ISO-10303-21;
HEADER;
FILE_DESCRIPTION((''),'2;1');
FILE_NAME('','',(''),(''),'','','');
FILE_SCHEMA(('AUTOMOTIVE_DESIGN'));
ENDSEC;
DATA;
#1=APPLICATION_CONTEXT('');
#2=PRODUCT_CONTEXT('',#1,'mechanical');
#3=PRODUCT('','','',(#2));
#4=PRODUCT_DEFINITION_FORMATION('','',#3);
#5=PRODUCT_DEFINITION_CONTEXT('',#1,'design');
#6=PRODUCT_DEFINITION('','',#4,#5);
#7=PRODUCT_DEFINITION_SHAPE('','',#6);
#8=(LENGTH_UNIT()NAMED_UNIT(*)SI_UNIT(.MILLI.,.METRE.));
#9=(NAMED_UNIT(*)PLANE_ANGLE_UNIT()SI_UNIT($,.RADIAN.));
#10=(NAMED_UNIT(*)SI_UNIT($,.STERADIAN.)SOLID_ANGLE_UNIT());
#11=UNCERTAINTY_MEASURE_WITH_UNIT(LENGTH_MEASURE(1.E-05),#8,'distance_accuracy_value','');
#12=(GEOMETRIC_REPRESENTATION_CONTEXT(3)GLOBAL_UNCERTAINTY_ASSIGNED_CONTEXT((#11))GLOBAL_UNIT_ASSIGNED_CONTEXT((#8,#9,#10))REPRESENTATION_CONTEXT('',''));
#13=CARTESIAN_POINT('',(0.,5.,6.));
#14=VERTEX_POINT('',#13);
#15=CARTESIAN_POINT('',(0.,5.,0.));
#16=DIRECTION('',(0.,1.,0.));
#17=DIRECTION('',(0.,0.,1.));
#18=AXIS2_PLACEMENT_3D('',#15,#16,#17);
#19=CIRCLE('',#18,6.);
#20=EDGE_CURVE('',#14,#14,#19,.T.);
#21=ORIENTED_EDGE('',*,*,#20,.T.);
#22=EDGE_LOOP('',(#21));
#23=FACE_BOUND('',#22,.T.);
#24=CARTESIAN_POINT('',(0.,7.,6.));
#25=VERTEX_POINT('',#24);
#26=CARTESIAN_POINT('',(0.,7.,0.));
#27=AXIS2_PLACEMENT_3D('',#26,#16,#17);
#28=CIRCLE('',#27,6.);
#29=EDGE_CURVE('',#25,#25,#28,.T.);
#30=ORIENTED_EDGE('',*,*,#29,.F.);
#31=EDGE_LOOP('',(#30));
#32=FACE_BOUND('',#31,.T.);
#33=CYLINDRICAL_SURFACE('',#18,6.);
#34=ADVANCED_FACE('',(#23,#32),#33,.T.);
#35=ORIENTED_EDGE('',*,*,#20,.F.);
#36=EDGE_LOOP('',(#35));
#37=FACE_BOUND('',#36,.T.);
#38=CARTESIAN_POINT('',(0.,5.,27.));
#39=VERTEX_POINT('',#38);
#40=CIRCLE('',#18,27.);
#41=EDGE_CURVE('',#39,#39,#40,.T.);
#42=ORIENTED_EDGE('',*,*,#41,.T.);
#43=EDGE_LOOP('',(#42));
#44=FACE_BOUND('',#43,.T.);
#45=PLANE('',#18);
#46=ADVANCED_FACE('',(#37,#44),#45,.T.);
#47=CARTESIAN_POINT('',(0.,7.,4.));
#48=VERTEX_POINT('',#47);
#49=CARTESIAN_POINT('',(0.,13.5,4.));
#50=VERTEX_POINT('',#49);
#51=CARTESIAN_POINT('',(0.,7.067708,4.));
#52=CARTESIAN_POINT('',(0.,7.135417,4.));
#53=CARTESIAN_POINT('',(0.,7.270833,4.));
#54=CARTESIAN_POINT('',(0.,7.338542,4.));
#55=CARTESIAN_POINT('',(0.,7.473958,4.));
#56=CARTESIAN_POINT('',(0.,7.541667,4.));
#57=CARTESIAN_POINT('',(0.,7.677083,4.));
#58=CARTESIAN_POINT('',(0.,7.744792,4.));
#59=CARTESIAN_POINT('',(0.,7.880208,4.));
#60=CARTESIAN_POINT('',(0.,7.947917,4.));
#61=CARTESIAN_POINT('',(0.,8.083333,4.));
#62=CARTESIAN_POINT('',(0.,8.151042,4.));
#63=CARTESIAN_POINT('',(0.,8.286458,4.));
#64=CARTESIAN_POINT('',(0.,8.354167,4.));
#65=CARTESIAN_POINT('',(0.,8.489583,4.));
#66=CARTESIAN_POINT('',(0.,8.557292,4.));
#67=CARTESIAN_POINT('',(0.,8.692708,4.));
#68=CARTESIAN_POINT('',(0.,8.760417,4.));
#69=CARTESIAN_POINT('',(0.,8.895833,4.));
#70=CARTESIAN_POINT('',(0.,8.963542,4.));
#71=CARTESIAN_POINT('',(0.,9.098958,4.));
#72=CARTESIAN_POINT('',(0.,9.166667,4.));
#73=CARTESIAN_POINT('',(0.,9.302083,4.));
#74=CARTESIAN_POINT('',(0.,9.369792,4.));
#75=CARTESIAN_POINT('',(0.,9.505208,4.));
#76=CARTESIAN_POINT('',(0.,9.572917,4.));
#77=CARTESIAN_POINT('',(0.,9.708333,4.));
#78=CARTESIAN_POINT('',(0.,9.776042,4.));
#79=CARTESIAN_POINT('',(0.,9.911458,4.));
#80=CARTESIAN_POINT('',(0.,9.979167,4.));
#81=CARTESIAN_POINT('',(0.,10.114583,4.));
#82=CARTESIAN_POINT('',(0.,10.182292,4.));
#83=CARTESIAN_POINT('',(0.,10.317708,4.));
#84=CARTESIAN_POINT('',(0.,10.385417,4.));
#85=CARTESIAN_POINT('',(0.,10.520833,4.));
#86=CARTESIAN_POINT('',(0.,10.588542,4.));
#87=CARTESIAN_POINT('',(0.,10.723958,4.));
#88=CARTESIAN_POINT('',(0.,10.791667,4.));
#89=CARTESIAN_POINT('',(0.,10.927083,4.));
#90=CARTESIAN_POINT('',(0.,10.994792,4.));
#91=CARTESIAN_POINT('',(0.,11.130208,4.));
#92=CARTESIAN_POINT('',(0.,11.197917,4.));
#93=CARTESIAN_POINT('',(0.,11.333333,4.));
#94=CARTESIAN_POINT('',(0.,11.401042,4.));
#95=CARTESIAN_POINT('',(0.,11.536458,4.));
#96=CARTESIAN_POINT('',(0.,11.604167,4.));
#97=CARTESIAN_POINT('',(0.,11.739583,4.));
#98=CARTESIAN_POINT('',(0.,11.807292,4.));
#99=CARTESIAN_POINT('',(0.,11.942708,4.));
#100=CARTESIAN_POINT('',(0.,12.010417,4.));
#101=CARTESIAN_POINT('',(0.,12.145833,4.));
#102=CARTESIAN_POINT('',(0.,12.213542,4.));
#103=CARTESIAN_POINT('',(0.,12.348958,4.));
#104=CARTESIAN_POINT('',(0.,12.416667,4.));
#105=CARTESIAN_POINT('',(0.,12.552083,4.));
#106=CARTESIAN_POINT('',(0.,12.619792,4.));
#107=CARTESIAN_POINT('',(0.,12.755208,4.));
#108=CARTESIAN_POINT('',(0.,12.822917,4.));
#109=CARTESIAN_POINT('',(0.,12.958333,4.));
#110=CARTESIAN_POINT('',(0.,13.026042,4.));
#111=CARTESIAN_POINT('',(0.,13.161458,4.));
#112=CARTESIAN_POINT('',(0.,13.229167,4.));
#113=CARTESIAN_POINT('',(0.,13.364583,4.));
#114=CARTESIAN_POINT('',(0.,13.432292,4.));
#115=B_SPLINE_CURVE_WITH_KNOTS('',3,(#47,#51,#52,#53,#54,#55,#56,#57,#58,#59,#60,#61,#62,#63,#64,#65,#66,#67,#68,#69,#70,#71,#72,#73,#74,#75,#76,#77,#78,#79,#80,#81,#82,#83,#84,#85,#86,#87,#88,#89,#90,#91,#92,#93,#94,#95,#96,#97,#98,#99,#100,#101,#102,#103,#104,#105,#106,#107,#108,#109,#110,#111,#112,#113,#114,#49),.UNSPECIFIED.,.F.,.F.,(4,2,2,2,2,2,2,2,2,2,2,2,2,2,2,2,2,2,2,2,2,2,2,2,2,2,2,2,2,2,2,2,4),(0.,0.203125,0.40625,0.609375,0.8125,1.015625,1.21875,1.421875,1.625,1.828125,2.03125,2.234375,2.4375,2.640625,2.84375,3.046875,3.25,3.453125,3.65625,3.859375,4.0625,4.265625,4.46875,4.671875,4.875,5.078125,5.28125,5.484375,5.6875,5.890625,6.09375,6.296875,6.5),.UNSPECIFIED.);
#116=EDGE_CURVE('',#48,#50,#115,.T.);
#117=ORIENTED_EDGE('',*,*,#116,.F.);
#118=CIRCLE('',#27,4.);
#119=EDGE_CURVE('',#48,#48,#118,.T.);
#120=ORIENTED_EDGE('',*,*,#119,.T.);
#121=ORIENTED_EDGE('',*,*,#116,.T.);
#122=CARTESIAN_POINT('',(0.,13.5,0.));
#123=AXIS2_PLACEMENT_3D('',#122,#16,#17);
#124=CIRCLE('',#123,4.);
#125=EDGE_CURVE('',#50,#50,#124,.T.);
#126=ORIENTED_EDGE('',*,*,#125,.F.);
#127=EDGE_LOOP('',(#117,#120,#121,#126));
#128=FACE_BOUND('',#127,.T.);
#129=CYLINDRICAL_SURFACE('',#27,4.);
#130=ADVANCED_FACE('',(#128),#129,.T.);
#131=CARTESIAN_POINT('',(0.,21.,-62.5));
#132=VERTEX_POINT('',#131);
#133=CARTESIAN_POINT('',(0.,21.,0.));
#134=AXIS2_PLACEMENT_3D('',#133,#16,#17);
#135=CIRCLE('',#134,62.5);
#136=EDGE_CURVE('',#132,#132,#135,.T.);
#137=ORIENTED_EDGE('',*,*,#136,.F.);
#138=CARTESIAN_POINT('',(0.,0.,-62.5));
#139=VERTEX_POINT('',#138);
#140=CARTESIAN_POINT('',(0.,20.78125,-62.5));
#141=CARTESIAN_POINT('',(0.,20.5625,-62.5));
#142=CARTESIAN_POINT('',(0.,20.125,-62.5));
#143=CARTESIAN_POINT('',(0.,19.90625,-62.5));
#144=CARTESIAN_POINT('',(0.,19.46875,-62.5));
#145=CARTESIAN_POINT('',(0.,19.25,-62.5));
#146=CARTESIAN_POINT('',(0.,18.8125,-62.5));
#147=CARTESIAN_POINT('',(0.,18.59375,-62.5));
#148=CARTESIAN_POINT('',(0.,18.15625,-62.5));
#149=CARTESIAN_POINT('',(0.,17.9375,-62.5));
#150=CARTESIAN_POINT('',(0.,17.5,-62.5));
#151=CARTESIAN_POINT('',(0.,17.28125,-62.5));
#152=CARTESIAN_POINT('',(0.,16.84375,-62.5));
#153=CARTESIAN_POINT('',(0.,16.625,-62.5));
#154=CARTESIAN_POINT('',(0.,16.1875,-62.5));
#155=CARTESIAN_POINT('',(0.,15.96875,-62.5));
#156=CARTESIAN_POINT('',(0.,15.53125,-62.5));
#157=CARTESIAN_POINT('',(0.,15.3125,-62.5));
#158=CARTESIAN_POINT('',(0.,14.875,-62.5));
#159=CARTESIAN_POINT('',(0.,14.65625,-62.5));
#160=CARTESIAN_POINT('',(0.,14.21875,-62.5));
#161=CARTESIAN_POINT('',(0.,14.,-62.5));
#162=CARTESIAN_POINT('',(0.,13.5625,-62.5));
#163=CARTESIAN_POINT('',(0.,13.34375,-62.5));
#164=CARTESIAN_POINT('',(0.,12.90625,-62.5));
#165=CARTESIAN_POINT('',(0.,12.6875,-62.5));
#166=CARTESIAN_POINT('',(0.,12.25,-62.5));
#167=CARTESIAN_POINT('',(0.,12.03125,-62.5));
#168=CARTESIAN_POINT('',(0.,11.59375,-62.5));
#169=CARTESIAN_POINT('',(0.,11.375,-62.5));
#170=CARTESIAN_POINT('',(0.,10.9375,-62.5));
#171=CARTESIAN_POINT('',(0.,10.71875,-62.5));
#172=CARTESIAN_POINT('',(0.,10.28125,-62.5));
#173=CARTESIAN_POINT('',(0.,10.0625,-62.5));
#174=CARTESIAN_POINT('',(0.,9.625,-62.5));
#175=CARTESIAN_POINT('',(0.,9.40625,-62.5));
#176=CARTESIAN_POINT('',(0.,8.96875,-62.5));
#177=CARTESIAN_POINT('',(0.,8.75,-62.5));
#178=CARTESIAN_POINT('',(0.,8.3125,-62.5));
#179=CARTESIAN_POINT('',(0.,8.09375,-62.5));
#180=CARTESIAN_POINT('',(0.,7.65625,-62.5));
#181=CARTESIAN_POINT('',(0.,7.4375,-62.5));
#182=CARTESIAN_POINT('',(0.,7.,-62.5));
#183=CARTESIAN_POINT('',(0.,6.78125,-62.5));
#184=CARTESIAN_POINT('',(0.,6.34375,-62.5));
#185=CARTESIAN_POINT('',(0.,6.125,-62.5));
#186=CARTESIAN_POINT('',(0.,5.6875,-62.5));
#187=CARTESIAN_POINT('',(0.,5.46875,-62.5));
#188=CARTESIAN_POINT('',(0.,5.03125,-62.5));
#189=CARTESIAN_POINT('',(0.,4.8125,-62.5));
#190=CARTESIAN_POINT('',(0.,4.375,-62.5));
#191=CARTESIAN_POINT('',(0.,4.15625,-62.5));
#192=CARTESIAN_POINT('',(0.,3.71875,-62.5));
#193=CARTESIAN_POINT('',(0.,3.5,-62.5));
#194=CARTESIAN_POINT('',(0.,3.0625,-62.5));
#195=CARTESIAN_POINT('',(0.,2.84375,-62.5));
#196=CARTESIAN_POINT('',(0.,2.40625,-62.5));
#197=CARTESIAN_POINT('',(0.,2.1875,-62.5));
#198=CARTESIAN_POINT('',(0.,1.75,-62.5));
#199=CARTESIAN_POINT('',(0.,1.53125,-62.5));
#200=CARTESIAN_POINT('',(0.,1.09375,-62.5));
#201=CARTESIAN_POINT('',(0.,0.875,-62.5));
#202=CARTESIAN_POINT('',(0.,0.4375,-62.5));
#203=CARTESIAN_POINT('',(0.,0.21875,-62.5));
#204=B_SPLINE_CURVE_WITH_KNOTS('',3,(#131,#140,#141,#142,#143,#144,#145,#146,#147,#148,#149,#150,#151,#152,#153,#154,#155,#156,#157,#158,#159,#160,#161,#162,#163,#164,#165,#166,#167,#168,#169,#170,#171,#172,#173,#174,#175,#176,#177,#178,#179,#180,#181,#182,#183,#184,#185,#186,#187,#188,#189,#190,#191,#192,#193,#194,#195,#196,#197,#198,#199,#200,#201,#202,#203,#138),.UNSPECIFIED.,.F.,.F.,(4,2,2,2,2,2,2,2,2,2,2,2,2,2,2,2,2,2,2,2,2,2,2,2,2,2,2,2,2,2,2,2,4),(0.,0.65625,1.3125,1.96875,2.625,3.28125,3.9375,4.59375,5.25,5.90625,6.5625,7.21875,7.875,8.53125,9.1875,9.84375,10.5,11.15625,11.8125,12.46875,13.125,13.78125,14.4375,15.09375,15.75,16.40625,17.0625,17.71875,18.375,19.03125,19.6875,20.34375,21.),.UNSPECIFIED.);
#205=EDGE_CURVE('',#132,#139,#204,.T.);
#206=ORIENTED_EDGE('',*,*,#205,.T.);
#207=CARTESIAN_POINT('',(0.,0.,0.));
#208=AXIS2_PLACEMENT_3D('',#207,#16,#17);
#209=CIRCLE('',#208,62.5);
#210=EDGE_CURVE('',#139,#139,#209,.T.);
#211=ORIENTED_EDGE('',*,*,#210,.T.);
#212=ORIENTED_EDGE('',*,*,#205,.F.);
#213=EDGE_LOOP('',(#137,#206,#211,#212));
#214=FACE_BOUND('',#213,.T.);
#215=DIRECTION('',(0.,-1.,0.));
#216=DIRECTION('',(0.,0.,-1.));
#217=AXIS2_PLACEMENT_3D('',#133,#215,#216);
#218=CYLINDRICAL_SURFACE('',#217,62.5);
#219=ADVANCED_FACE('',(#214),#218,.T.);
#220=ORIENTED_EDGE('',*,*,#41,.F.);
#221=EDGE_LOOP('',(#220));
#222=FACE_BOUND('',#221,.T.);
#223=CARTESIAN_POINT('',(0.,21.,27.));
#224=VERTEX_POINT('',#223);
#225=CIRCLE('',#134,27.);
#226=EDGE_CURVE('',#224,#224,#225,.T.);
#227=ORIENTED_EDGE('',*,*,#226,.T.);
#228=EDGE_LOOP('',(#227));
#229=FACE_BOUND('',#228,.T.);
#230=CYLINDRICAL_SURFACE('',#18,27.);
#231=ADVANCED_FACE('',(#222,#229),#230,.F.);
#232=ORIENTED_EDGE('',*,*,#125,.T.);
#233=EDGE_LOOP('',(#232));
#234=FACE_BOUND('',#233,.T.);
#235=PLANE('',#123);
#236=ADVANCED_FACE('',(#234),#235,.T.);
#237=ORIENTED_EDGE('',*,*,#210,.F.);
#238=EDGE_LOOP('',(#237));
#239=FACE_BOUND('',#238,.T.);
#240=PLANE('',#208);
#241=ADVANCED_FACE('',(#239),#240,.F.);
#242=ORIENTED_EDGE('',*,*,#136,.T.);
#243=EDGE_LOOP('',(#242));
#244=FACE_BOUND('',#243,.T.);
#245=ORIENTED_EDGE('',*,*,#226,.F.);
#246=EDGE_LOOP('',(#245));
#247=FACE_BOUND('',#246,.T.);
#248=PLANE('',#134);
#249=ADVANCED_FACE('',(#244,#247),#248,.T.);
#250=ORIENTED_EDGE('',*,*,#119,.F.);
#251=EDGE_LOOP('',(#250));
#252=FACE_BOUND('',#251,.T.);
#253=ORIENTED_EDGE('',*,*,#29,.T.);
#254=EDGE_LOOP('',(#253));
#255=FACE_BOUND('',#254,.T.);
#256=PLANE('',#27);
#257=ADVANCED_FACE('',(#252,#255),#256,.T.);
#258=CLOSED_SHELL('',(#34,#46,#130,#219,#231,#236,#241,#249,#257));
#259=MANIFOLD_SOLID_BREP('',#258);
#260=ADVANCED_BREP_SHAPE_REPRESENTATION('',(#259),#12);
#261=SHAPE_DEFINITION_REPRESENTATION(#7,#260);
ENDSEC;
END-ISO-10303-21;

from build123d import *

# Parameters (mm, degrees)
SKETCH1_R           = 62.5
BOSS_EXTRUDE1_DEPTH = 21
SKETCH2_R           = 27
SKETCH2_R_2         = 6
CUT_EXTRUDE1_DEPTH  = 16
SKETCH3_R           = 6
SKETCH3_R_2         = 4
CUT_EXTRUDE2_DEPTH  = 14
SKETCH4_R           = 4
CUT_EXTRUDE3_DEPTH  = 7.5


with BuildPart() as part:
    # Sketch1 → Boss-Extrude1 (new body)
    with BuildSketch(Plane(origin=(0, 0, 0), x_dir=(1, 0, 0), z_dir=(0, 1, 0))):
        with Locations(Location((0, 0, 0), (0, 0, 90))):
            Circle(SKETCH1_R)
    extrude(amount=BOSS_EXTRUDE1_DEPTH)

    # Sketch2 → Cut-Extrude1 (cut)
    with BuildSketch(Plane(origin=(0, 21, 0), x_dir=(1, 0, 0), z_dir=(0, 1, 0))):
        with Locations(Location((0, 0, 0), (0, 0, 270))):
            Circle(SKETCH2_R)
        with Locations(Location((0, 0, 0), (0, 0, 270))):
            Circle(SKETCH2_R_2, mode=Mode.SUBTRACT)
    extrude(amount=-CUT_EXTRUDE1_DEPTH, mode=Mode.SUBTRACT)

    # Sketch3 → Cut-Extrude2 (cut)
    with BuildSketch(Plane(origin=(0, 21, 0), x_dir=(1, 0, 0), z_dir=(0, 1, 0))):
        with Locations(Location((0, 0, 0), (0, 0, 270))):
            Circle(SKETCH3_R)
        with Locations(Location((0, 0, 0), (0, 0, 270))):
            Circle(SKETCH3_R_2, mode=Mode.SUBTRACT)
    extrude(amount=-CUT_EXTRUDE2_DEPTH, mode=Mode.SUBTRACT)

    # Sketch4 → Cut-Extrude3 (cut)
    with BuildSketch(Plane(origin=(0, 21, 0), x_dir=(1, 0, 0), z_dir=(0, 1, 0))):
        with Locations(Location((0, 0, 0), (0, 0, 270))):
            Circle(SKETCH4_R)
    extrude(amount=-CUT_EXTRUDE3_DEPTH, mode=Mode.SUBTRACT)


solid = part.part
